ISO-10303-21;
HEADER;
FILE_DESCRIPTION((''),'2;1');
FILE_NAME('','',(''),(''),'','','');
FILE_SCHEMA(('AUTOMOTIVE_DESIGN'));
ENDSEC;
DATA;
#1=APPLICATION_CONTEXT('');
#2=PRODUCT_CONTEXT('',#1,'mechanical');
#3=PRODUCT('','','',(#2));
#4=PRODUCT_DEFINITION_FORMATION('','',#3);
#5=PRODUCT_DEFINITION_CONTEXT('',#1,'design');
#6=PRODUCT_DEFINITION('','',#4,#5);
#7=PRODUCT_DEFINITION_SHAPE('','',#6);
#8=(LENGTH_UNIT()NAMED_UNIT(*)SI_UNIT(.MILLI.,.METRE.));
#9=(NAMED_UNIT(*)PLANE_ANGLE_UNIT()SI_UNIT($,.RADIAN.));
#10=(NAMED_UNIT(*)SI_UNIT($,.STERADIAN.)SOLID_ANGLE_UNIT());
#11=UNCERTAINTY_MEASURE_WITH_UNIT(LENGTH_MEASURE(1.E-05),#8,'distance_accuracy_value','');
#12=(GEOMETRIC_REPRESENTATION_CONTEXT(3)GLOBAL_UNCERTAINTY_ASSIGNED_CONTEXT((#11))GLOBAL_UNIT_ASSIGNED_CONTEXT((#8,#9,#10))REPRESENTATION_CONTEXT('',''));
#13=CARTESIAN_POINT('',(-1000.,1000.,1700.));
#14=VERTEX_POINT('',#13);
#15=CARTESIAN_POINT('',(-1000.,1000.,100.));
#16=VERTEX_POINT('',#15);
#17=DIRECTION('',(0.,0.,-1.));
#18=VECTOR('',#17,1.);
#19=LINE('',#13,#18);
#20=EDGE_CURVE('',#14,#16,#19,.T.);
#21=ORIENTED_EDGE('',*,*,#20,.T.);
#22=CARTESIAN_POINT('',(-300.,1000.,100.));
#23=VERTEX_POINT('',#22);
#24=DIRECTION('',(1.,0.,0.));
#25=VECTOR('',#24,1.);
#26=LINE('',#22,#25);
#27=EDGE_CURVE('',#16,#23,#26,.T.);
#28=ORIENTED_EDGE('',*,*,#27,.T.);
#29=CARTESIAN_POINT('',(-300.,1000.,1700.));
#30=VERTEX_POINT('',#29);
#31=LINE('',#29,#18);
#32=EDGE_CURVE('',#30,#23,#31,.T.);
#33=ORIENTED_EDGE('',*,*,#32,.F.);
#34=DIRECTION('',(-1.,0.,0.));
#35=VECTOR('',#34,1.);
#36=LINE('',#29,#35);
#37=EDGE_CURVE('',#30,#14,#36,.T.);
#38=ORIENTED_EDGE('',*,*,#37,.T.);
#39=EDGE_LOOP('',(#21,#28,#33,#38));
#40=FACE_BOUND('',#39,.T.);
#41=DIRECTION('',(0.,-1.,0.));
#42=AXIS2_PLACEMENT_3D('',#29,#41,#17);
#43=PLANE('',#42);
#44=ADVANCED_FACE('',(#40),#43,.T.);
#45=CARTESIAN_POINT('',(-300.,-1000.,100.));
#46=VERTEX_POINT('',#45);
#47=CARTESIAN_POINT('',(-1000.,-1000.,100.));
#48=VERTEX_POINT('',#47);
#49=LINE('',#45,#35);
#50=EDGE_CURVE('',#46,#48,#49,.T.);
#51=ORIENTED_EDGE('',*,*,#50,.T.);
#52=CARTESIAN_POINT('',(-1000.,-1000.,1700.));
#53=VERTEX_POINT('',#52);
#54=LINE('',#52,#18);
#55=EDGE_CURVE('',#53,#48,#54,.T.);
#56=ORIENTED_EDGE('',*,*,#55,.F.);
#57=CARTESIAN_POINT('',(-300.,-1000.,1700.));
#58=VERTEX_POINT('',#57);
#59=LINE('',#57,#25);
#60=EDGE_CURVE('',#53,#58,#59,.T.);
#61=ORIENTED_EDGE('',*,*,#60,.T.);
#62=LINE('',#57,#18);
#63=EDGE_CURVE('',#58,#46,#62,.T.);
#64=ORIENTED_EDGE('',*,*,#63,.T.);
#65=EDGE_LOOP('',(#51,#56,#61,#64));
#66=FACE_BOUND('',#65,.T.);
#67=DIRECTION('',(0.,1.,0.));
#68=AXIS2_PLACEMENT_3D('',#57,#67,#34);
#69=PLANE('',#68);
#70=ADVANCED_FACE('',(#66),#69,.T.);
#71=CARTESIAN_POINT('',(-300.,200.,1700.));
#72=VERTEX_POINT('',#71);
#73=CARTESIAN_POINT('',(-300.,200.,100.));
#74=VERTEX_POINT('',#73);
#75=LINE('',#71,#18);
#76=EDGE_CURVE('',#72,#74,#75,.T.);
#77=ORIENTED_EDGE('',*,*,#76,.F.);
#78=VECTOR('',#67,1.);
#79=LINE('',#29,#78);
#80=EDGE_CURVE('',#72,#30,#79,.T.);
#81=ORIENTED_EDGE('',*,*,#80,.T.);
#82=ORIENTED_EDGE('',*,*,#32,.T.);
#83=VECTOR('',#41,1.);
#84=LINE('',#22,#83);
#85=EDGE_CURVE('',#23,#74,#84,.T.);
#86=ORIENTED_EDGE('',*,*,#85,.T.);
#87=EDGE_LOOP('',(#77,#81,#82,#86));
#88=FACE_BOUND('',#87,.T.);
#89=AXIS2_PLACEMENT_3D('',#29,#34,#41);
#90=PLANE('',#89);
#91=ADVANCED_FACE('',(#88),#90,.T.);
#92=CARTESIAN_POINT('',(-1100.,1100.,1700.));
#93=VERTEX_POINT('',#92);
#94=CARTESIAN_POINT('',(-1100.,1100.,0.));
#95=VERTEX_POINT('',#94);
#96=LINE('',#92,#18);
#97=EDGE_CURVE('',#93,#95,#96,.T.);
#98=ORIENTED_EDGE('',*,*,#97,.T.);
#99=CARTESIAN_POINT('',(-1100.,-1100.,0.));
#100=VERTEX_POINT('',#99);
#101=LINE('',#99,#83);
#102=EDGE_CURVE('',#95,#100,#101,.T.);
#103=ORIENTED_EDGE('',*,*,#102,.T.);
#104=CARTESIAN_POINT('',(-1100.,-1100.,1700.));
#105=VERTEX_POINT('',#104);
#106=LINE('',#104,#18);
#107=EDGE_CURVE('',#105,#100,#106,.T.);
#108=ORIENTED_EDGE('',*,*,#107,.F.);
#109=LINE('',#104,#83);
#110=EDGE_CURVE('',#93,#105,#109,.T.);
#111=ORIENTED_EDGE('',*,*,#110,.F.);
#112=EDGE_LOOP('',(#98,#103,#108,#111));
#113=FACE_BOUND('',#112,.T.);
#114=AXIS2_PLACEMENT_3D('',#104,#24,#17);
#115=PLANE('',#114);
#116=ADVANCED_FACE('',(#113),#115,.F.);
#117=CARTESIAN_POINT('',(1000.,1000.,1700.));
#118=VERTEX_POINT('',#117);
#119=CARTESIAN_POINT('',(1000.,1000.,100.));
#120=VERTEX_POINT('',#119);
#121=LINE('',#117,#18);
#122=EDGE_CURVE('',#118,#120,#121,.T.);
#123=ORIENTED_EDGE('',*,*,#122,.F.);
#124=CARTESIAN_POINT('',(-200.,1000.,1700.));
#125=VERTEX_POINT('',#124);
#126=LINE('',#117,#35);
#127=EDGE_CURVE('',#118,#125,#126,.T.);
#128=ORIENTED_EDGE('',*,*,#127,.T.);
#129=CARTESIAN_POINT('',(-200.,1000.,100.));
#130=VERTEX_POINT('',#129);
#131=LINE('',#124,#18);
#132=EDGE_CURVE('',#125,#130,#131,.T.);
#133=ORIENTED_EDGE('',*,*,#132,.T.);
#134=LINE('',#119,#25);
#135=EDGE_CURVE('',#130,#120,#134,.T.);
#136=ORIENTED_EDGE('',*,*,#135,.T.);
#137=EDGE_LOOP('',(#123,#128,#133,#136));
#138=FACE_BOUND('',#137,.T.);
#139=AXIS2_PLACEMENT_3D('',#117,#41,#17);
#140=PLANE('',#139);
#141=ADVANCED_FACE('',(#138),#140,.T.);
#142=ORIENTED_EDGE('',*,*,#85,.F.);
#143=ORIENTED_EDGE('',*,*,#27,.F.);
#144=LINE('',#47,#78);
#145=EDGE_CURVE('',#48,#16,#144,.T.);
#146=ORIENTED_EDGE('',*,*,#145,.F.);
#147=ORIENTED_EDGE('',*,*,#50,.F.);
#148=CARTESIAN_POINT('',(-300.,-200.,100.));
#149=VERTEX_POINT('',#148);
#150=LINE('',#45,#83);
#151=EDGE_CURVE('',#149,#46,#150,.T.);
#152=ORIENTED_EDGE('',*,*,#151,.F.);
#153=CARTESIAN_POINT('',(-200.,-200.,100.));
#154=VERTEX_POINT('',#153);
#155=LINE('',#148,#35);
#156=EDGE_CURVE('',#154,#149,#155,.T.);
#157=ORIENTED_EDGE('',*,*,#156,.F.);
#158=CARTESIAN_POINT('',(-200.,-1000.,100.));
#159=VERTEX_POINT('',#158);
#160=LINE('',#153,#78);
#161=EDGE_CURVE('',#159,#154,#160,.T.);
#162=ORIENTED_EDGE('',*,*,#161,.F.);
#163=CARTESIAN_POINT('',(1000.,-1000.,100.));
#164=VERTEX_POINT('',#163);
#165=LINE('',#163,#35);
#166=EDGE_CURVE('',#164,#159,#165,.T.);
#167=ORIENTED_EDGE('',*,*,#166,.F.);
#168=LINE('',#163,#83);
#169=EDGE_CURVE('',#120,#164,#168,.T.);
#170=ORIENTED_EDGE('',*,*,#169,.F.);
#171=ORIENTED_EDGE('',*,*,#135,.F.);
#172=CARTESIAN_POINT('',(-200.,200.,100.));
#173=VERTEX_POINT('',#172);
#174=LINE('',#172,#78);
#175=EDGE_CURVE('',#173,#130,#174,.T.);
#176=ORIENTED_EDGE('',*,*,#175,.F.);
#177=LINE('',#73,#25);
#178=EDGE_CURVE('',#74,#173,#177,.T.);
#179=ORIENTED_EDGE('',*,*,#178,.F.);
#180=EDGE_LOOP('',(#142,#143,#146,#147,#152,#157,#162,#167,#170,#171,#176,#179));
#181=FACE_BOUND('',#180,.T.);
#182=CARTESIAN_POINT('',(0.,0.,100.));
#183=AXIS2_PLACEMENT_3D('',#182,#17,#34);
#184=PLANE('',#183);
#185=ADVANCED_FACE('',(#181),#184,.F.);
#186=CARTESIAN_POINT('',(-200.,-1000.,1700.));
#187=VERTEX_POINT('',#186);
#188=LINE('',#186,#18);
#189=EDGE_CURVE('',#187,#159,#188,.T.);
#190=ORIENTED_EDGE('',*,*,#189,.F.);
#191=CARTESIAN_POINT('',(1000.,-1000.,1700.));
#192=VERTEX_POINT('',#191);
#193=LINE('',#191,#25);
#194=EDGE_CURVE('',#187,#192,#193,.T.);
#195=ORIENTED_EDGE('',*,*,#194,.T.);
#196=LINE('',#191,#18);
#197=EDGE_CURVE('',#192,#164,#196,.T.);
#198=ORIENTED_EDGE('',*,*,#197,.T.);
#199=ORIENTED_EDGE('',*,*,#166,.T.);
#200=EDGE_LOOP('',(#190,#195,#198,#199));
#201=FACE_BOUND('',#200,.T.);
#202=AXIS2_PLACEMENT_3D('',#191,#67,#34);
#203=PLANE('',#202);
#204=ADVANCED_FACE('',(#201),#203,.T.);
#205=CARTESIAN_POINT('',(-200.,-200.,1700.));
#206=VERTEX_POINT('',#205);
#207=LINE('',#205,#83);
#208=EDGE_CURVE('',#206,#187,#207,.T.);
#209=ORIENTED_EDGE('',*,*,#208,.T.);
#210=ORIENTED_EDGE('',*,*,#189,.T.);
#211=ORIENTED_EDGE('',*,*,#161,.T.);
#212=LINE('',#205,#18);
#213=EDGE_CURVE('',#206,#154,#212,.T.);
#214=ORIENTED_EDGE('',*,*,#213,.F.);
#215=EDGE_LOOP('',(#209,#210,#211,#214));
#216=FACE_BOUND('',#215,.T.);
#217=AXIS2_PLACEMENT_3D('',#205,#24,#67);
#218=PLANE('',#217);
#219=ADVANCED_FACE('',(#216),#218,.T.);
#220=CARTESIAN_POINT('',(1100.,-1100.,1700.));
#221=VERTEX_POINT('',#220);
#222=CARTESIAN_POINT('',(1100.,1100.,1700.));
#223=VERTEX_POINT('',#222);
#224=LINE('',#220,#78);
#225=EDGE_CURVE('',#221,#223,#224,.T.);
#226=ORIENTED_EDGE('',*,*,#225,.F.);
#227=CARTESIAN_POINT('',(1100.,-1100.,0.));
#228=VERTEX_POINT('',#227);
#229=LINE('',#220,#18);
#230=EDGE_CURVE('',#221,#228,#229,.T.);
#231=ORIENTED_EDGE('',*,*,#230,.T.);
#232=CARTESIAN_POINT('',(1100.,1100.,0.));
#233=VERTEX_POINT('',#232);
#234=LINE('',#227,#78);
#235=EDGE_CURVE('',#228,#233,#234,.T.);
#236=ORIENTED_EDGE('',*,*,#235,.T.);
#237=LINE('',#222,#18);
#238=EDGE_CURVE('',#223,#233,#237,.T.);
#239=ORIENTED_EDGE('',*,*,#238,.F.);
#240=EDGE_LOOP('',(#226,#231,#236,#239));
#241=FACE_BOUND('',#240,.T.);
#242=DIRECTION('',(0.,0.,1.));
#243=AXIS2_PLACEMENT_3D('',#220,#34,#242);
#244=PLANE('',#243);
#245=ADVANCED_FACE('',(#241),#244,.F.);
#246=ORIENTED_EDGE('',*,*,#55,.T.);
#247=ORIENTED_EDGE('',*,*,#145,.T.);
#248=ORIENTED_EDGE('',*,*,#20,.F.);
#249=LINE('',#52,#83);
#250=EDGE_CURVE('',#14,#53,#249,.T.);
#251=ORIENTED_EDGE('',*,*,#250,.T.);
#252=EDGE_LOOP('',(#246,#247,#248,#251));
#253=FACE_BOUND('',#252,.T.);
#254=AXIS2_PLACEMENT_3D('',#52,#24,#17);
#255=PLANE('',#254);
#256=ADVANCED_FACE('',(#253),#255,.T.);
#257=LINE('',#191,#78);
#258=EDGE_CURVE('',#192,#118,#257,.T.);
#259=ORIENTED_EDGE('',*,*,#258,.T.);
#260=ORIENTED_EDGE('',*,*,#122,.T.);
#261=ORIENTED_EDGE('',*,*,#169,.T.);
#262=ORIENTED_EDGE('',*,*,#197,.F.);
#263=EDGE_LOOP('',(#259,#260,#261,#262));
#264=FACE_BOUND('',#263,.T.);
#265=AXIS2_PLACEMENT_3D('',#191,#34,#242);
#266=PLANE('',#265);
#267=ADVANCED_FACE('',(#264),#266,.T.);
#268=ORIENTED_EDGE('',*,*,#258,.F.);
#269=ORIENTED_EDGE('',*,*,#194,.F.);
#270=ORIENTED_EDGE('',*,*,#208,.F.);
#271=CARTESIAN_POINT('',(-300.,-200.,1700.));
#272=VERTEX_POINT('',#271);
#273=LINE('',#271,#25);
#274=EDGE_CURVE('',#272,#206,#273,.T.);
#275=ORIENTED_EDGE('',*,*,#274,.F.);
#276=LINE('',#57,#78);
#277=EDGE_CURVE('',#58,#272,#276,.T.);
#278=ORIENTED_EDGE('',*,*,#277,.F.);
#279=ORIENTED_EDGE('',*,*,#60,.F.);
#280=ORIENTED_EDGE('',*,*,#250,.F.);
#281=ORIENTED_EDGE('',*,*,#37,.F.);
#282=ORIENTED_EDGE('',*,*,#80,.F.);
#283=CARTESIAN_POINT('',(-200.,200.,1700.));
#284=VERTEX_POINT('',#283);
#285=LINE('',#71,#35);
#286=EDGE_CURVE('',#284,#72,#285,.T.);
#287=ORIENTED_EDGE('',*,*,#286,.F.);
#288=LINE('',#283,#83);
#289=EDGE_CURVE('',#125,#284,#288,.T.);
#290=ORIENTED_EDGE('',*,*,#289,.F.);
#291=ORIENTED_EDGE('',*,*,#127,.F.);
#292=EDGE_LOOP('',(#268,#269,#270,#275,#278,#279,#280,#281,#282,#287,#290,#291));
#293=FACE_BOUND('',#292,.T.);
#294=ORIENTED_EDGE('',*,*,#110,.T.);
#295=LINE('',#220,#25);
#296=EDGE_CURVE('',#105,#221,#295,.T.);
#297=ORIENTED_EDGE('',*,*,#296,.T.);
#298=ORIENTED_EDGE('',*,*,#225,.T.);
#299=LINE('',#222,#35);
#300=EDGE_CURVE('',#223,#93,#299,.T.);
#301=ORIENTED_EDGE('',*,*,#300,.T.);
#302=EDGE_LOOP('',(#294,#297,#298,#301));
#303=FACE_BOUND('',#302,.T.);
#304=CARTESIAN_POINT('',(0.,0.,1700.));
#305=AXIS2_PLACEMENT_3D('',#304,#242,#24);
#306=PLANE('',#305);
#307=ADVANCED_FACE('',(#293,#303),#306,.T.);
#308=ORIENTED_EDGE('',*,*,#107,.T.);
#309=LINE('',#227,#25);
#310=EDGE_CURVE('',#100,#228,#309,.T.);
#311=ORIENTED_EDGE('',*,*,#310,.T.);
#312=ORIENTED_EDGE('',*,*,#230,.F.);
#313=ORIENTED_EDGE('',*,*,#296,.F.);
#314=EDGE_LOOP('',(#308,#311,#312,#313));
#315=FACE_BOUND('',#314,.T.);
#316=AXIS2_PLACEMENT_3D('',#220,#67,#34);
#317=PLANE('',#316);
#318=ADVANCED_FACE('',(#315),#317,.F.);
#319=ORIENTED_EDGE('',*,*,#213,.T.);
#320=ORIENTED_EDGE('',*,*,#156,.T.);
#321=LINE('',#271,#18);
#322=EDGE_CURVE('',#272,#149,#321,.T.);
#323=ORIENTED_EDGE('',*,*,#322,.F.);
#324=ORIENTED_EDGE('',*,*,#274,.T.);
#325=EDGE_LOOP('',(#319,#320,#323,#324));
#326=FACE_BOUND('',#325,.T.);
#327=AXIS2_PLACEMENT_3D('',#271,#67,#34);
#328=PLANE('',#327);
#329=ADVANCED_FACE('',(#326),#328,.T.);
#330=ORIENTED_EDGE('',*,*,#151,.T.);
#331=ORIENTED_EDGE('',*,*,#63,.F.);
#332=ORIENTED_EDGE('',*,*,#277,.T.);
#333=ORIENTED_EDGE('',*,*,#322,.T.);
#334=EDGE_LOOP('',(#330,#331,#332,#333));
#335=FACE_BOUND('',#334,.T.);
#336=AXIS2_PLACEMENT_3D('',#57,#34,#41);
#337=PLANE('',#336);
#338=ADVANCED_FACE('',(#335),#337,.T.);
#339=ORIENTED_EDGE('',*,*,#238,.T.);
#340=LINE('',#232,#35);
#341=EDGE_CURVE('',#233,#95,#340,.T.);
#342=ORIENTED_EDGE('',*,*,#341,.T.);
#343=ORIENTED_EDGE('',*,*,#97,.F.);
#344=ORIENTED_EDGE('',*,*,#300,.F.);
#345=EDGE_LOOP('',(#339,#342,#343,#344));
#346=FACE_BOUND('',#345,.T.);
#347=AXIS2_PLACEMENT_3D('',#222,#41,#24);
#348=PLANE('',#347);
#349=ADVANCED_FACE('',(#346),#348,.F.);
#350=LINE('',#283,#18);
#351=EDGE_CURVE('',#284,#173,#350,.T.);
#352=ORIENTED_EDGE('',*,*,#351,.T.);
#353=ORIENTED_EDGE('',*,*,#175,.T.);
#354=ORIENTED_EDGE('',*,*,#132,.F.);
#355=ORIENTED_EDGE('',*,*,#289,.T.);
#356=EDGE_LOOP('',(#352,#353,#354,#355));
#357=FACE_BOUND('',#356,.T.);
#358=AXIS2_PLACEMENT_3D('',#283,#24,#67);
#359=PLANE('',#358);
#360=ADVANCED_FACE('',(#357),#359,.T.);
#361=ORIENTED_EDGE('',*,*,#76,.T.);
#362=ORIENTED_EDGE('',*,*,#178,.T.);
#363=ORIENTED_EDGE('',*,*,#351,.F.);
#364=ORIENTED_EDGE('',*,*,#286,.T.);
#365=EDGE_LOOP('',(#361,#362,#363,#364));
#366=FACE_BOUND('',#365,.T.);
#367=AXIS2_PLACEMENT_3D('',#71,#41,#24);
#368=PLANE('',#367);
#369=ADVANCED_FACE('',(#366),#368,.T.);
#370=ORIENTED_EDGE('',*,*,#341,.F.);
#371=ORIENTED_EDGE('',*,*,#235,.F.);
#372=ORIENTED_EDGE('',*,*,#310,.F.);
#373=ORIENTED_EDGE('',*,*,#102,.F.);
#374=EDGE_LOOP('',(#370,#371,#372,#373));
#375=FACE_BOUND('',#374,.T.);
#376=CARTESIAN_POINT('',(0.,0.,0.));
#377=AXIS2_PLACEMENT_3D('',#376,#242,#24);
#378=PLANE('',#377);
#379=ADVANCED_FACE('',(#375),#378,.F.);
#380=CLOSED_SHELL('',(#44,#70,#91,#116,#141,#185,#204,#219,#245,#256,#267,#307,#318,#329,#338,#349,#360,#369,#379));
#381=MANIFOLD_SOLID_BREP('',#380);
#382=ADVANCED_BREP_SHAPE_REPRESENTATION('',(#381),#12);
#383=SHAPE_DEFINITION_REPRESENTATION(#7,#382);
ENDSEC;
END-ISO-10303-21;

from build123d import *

# Parameters (mm, degrees)
SKETCH1_W           = 2200
SKETCH1_H           = 2200
BOSS_EXTRUDE1_DEPTH = 1700
SKETCH2_W           = 2200
SKETCH2_H           = 2200
BOSS_EXTRUDE2_DEPTH = 100


with BuildPart() as part:
    # Sketch1 → Boss-Extrude1 (new body)
    with BuildSketch(Plane.XY):
        Rectangle(SKETCH1_W, SKETCH1_H)
        Polygon((1000, -1000), (-200, -1000), (-200, -200), (-300, -200), (-300, -1000), (-1000, -1000), (-1000, 1000), (-300, 1000), (-300, 200), (-200, 200), (-200, 1000), (1000, 1000), align=None, mode=Mode.SUBTRACT)
    extrude(amount=BOSS_EXTRUDE1_DEPTH)

    # Sketch2 → Boss-Extrude2 (add)
    with BuildSketch(Plane(origin=(0, 0, 0), x_dir=(-1, 0, 0), z_dir=(0, 0, -1))):
        Rectangle(SKETCH2_W, SKETCH2_H)
    extrude(amount=-BOSS_EXTRUDE2_DEPTH)


solid = part.part
